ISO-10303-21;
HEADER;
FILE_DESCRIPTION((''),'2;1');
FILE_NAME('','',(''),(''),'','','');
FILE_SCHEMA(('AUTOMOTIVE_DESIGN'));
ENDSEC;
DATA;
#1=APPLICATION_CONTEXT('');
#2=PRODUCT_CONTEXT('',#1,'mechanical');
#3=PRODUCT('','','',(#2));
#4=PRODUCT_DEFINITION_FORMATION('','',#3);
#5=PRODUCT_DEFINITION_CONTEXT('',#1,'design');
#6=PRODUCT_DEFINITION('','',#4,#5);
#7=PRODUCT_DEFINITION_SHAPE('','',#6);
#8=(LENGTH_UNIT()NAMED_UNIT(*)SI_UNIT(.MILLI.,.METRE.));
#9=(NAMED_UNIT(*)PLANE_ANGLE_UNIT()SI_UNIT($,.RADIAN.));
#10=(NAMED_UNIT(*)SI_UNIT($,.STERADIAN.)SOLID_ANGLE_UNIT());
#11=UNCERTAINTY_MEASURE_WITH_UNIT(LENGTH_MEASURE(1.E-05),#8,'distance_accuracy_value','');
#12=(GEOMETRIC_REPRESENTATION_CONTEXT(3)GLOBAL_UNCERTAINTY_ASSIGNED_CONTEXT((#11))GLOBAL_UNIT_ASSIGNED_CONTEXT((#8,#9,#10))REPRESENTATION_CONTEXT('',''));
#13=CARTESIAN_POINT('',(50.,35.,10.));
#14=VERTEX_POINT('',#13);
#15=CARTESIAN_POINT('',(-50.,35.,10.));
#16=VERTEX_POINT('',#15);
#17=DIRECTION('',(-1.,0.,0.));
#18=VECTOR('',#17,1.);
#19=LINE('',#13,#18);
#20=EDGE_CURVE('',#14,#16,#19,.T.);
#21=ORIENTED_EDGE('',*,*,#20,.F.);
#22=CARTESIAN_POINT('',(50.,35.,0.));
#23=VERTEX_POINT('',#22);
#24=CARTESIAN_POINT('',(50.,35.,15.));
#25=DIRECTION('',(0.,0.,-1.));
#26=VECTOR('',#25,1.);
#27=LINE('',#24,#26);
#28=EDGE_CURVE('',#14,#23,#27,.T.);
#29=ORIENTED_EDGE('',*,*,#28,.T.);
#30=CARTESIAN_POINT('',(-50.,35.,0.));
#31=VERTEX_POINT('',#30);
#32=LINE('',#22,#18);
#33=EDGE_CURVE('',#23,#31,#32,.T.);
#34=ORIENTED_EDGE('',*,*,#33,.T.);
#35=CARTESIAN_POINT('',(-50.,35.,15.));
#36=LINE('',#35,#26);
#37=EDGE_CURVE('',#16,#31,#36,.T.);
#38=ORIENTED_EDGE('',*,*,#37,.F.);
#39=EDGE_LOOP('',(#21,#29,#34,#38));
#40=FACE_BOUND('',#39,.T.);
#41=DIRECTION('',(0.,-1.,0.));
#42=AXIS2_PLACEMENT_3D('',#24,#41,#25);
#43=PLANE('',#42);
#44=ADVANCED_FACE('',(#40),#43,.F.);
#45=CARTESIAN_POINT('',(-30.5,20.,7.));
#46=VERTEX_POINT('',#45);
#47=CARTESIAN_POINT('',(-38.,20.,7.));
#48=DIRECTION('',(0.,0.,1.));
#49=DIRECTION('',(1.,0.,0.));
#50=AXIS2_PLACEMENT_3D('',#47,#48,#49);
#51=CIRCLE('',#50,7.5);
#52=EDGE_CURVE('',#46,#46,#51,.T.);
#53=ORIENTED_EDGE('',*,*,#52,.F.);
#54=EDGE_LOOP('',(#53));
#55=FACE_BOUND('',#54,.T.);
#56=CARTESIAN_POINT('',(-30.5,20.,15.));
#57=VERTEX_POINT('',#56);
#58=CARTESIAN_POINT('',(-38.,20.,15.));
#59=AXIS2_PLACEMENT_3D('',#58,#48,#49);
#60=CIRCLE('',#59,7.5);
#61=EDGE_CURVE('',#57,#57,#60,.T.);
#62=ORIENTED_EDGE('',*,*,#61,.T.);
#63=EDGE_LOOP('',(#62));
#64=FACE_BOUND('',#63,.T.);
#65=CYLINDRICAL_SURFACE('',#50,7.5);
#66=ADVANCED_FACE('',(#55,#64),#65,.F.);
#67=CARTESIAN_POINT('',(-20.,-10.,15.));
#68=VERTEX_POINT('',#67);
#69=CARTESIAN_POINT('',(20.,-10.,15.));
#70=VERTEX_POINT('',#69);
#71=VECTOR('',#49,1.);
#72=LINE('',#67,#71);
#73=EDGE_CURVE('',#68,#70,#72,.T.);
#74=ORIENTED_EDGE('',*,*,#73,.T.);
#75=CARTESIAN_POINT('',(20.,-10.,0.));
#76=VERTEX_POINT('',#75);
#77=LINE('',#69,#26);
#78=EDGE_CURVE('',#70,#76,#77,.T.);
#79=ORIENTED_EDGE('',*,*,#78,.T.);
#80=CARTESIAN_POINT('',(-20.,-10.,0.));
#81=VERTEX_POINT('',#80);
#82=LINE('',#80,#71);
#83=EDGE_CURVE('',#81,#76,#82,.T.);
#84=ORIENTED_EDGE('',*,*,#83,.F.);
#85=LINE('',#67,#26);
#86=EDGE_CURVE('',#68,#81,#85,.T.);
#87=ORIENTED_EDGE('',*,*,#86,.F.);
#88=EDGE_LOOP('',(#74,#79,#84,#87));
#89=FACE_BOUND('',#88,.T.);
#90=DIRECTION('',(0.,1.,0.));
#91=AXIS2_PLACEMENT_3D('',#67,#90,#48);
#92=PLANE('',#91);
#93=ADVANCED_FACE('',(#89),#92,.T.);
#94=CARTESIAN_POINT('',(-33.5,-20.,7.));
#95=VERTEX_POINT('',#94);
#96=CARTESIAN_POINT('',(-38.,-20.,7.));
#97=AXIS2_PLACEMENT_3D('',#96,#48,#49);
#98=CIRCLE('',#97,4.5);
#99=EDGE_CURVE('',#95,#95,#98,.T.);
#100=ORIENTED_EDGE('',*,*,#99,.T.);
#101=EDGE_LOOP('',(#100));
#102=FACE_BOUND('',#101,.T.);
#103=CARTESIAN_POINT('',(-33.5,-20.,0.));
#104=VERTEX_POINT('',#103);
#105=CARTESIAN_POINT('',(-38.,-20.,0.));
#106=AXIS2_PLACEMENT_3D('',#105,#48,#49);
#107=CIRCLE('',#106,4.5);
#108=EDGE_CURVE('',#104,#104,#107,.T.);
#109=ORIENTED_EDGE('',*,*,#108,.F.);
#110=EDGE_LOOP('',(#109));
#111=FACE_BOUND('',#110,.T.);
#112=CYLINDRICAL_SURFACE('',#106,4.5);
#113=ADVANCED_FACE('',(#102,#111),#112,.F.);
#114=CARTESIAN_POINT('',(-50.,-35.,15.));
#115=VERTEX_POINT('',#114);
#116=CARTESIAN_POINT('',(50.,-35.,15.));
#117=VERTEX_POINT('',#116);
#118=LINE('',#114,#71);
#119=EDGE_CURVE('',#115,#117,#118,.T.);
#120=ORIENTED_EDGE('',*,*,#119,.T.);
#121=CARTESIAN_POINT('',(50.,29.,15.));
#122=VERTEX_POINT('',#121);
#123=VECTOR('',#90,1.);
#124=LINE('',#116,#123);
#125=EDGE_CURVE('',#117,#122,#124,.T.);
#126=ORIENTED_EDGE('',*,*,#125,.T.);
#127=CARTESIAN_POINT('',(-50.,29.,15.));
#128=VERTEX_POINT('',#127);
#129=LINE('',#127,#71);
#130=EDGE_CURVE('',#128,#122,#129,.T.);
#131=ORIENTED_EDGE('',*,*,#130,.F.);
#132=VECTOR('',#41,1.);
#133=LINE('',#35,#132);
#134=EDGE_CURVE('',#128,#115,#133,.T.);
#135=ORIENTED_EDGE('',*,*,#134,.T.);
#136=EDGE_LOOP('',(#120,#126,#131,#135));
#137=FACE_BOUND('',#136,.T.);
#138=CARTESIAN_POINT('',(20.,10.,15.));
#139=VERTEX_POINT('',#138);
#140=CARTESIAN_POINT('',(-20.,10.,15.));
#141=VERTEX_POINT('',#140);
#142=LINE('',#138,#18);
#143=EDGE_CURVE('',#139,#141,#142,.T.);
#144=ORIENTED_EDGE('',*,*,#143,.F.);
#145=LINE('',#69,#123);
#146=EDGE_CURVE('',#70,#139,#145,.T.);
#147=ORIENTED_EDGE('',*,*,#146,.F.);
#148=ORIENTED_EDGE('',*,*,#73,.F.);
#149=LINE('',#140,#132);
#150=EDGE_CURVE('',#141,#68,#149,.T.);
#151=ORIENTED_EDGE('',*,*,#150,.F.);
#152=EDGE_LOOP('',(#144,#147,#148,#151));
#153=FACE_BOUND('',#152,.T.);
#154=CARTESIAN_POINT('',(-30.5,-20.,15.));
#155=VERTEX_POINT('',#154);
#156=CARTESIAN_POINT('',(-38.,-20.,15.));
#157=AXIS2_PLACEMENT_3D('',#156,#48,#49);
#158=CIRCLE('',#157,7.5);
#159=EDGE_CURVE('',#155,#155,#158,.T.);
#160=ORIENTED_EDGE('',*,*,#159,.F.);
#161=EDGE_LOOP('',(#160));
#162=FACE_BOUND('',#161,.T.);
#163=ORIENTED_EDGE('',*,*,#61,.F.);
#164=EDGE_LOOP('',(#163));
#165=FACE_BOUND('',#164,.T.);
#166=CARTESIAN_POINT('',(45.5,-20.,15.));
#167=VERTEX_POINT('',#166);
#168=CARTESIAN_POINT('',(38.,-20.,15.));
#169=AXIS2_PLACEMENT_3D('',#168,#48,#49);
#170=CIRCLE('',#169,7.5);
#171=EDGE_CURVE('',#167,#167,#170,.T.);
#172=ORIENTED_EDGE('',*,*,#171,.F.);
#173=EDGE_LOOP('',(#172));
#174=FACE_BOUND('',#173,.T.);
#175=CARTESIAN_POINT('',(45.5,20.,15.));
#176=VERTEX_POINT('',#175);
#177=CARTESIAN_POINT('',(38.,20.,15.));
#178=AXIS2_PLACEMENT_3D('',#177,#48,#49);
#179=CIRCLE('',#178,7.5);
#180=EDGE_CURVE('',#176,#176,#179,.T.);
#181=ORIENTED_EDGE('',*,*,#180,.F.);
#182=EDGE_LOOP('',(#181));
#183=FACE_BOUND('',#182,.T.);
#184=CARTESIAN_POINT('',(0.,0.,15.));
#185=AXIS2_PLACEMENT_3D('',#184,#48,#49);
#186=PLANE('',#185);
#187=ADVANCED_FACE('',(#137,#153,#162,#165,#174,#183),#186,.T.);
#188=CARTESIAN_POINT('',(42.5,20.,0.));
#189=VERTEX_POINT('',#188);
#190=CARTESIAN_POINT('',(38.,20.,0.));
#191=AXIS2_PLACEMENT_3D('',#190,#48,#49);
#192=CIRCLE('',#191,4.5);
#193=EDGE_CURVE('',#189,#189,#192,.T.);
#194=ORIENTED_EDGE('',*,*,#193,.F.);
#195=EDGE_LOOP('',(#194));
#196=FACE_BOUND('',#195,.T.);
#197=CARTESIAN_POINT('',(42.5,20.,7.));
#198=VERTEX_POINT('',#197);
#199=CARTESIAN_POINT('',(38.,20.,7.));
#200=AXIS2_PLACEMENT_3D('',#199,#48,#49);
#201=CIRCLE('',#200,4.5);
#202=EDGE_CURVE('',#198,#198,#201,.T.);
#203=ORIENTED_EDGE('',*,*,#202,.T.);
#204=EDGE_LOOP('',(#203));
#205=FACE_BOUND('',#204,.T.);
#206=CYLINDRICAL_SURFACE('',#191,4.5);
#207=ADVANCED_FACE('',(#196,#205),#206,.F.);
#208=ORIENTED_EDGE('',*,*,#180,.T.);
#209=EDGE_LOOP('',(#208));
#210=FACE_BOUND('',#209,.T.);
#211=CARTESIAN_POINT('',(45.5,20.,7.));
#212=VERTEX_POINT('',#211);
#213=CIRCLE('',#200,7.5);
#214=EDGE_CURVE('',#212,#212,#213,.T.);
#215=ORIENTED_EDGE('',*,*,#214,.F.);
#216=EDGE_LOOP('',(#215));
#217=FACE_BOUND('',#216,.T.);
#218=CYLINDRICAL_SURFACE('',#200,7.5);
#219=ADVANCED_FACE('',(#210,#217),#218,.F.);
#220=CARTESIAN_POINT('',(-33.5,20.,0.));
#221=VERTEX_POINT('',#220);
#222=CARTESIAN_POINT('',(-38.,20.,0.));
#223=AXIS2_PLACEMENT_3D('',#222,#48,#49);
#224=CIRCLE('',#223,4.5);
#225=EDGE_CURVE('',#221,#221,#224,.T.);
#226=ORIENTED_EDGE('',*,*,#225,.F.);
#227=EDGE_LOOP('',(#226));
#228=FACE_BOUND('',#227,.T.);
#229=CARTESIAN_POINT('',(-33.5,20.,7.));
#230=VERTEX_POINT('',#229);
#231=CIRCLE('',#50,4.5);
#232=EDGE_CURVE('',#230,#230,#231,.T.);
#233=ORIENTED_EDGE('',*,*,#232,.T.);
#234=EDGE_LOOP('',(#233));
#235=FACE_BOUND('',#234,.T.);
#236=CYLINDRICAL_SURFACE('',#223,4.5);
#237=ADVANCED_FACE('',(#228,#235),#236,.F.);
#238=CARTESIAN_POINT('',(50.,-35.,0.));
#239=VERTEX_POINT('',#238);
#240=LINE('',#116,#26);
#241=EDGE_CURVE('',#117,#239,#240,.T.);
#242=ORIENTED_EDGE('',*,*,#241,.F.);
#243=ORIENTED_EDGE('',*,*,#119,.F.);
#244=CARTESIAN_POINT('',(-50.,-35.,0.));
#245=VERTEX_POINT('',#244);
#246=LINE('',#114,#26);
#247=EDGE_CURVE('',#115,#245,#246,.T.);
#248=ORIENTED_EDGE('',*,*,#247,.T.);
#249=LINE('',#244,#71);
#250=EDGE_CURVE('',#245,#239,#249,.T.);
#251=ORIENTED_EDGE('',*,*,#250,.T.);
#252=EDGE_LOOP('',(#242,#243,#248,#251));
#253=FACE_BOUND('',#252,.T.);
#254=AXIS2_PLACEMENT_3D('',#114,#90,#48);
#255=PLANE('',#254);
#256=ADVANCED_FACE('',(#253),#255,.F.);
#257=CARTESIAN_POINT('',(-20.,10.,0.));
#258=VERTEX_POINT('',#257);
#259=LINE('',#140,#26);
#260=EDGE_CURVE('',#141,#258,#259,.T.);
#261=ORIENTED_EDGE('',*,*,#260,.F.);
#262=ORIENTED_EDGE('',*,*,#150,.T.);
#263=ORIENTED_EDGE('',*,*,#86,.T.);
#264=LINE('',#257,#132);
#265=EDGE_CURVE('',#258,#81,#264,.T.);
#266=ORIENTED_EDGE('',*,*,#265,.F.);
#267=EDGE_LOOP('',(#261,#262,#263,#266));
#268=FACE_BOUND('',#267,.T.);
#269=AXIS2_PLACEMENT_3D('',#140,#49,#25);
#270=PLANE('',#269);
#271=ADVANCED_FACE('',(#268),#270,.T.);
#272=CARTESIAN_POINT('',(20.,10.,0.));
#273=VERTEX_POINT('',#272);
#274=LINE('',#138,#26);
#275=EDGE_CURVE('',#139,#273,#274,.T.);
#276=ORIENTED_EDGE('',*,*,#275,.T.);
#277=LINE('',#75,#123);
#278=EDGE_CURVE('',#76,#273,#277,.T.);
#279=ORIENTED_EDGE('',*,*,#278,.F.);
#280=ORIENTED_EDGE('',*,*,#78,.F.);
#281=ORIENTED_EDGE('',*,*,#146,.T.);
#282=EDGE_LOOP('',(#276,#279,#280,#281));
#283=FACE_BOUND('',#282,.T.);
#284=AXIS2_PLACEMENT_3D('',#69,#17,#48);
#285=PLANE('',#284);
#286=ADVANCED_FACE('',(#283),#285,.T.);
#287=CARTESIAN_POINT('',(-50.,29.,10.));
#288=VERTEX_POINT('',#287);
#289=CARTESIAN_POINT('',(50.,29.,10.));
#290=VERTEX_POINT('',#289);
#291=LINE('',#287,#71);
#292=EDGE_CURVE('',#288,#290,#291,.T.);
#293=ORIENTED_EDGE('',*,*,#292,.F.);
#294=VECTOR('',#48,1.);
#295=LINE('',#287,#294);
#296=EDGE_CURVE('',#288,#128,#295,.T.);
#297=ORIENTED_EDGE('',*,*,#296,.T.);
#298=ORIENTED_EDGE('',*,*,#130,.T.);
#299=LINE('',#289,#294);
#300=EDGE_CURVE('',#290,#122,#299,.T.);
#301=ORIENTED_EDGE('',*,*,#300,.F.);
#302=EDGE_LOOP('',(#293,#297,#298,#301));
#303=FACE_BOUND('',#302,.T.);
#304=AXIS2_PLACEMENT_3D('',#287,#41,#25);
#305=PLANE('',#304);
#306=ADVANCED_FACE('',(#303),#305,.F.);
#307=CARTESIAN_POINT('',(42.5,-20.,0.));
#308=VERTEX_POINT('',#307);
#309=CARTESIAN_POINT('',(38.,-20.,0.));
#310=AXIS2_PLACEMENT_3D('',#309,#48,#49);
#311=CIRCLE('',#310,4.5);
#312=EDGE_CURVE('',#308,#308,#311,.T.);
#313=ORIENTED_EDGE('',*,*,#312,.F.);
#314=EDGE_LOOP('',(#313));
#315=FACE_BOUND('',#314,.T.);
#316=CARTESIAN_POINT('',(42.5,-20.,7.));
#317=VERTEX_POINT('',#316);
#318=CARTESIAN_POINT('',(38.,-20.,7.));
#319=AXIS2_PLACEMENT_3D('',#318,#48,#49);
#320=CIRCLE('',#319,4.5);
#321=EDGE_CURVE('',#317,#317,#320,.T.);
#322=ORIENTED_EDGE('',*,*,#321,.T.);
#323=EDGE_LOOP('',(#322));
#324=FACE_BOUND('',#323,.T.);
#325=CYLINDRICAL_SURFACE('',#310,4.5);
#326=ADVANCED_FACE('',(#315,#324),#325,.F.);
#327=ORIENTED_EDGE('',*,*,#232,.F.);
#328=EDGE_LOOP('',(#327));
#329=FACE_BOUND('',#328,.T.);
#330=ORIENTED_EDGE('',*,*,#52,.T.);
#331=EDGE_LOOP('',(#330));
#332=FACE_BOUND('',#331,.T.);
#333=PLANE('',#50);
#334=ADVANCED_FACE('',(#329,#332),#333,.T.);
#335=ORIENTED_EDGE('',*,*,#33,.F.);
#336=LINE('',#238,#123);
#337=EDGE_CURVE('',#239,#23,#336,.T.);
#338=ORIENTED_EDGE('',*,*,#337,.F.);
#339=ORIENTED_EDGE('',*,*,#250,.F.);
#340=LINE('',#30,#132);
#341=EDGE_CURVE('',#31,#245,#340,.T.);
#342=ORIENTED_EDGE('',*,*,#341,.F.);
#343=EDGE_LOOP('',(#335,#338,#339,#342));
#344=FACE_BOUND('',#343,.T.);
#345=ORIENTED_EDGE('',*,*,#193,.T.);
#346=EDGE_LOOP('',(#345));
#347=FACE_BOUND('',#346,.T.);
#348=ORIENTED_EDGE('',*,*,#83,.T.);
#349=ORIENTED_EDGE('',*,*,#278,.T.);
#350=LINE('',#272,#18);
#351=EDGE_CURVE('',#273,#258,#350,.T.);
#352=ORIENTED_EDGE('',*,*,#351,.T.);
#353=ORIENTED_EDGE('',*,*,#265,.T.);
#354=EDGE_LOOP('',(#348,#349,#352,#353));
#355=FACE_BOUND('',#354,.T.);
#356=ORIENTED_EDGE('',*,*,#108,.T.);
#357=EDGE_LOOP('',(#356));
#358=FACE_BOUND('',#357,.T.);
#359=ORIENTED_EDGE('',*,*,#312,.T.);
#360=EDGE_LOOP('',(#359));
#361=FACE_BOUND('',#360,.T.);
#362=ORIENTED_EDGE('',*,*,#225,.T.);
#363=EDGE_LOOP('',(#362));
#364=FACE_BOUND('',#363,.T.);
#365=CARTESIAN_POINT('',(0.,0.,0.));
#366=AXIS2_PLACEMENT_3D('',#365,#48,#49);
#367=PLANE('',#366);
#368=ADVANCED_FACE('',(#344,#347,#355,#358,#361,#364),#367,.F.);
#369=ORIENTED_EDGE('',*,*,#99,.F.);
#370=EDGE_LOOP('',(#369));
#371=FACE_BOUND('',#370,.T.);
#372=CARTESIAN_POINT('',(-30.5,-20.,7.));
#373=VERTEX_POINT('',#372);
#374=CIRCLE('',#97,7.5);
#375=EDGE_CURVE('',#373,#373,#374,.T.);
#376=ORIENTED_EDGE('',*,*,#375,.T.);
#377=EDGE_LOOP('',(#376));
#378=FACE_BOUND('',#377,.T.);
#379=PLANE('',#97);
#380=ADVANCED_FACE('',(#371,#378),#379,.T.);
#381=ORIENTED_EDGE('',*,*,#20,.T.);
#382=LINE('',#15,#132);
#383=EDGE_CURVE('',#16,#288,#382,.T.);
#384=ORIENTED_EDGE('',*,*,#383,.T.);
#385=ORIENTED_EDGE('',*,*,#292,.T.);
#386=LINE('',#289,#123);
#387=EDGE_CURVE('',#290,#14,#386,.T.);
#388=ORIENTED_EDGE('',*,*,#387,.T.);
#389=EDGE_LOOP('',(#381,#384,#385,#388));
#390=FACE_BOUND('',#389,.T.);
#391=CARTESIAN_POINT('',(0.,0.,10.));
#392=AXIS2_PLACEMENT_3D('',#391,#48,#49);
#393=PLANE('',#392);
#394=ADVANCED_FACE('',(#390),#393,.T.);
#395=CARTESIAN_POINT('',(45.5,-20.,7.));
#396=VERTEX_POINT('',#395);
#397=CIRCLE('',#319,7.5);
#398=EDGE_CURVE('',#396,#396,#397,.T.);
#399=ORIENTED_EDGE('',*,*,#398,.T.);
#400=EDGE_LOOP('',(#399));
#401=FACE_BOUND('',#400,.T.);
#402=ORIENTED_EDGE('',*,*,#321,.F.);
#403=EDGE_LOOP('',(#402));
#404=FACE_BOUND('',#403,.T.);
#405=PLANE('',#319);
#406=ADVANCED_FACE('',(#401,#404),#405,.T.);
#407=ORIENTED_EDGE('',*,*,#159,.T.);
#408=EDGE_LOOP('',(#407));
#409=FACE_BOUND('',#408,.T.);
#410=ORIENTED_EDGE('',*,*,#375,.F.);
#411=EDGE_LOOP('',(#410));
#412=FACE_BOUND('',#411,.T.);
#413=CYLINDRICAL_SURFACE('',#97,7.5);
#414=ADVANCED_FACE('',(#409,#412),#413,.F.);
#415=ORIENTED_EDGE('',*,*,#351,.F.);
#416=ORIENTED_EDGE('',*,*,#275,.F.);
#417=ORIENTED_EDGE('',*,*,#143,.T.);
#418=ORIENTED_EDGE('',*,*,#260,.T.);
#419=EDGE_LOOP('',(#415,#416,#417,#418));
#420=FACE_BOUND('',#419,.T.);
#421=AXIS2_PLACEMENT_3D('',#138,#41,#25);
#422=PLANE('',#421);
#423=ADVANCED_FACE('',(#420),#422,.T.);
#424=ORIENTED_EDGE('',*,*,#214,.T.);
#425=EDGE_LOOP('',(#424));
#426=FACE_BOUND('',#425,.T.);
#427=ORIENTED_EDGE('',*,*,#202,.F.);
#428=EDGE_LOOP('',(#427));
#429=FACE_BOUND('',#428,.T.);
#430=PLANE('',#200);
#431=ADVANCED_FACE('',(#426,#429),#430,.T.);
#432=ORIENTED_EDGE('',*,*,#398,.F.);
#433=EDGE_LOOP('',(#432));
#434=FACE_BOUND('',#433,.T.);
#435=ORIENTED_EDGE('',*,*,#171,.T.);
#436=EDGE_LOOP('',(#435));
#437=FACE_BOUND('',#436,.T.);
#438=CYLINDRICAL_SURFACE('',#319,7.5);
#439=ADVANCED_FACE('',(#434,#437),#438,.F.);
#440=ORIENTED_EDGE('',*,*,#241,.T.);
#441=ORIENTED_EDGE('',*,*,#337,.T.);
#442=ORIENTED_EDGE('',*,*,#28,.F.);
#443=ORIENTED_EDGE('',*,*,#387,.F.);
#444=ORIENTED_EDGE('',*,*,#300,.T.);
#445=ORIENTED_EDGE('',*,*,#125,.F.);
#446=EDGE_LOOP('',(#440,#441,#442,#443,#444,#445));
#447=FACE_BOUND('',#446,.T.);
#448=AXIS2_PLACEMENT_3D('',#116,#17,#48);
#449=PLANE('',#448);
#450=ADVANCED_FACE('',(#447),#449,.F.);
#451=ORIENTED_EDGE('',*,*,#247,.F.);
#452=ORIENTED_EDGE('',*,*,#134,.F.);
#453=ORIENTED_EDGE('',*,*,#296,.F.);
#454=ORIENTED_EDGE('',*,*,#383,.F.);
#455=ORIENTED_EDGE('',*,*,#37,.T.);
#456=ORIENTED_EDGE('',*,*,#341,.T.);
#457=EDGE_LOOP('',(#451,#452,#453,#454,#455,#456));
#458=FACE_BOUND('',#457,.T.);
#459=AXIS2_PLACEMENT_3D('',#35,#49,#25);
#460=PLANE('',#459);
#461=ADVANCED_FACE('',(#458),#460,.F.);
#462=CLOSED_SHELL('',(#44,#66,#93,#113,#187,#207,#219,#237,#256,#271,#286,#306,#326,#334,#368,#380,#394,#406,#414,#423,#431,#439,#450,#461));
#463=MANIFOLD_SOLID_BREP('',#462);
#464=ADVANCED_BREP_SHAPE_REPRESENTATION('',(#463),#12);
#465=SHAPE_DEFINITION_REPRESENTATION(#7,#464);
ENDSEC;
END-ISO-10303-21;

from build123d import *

# Parameters (mm, degrees)
SKETCH_1_W          = 100
SKETCH_1_H          = 70
EXTRUDE_1_DEPTH     = 15
SKETCH_2_W          = 100
SKETCH_2_H          = 6
CUT_EXTRUDE_1_DEPTH = 5
SKETCH_3_W          = 40
SKETCH_3_H          = 20
CUT_EXTRUDE_2_DEPTH = 63.84902545
SKETCH_4_R          = 7.5
CUT_EXTRUDE_3_DEPTH = 8
SKETCH_5_R          = 4.5
CUT_EXTRUDE_4_DEPTH = 63.84902545


with BuildPart() as part:
    # 草图1 → 凸台-拉伸1 (new body)
    with BuildSketch(Plane.XY):
        Rectangle(SKETCH_1_W, SKETCH_1_H)
    extrude(amount=EXTRUDE_1_DEPTH)

    # 草图2 → 切除-拉伸1 (cut)
    with BuildSketch(Plane.XY.offset(15)):
        with Locations((0, 32)):
            Rectangle(SKETCH_2_W, SKETCH_2_H)
    extrude(amount=-CUT_EXTRUDE_1_DEPTH, mode=Mode.SUBTRACT)

    # 草图3 → 切除-拉伸2 (cut, through all)
    with BuildSketch(Plane.XY):
        Rectangle(SKETCH_3_W, SKETCH_3_H)
    extrude(amount=CUT_EXTRUDE_2_DEPTH, mode=Mode.SUBTRACT)

    # 草图4 → 切除-拉伸3 (cut)
    with BuildSketch(Plane.XY.offset(15)):
        with Locations((38, 20)):
            Circle(SKETCH_4_R)
        with Locations((-38, 20)):
            Circle(SKETCH_4_R)
        with Locations((38, -20)):
            Circle(SKETCH_4_R)
        with Locations((-38, -20)):
            Circle(SKETCH_4_R)
    extrude(amount=-CUT_EXTRUDE_3_DEPTH, mode=Mode.SUBTRACT)

    # 草图5 → 切除-拉伸4 (cut, through all)
    with BuildSketch(Plane.XY.offset(15)):
        with Locations((38, 20)):
            Circle(SKETCH_5_R)
        with Locations((-38, 20)):
            Circle(SKETCH_5_R)
        with Locations((38, -20)):
            Circle(SKETCH_5_R)
        with Locations((-38, -20)):
            Circle(SKETCH_5_R)
    extrude(amount=-CUT_EXTRUDE_4_DEPTH, mode=Mode.SUBTRACT)


solid = part.part
